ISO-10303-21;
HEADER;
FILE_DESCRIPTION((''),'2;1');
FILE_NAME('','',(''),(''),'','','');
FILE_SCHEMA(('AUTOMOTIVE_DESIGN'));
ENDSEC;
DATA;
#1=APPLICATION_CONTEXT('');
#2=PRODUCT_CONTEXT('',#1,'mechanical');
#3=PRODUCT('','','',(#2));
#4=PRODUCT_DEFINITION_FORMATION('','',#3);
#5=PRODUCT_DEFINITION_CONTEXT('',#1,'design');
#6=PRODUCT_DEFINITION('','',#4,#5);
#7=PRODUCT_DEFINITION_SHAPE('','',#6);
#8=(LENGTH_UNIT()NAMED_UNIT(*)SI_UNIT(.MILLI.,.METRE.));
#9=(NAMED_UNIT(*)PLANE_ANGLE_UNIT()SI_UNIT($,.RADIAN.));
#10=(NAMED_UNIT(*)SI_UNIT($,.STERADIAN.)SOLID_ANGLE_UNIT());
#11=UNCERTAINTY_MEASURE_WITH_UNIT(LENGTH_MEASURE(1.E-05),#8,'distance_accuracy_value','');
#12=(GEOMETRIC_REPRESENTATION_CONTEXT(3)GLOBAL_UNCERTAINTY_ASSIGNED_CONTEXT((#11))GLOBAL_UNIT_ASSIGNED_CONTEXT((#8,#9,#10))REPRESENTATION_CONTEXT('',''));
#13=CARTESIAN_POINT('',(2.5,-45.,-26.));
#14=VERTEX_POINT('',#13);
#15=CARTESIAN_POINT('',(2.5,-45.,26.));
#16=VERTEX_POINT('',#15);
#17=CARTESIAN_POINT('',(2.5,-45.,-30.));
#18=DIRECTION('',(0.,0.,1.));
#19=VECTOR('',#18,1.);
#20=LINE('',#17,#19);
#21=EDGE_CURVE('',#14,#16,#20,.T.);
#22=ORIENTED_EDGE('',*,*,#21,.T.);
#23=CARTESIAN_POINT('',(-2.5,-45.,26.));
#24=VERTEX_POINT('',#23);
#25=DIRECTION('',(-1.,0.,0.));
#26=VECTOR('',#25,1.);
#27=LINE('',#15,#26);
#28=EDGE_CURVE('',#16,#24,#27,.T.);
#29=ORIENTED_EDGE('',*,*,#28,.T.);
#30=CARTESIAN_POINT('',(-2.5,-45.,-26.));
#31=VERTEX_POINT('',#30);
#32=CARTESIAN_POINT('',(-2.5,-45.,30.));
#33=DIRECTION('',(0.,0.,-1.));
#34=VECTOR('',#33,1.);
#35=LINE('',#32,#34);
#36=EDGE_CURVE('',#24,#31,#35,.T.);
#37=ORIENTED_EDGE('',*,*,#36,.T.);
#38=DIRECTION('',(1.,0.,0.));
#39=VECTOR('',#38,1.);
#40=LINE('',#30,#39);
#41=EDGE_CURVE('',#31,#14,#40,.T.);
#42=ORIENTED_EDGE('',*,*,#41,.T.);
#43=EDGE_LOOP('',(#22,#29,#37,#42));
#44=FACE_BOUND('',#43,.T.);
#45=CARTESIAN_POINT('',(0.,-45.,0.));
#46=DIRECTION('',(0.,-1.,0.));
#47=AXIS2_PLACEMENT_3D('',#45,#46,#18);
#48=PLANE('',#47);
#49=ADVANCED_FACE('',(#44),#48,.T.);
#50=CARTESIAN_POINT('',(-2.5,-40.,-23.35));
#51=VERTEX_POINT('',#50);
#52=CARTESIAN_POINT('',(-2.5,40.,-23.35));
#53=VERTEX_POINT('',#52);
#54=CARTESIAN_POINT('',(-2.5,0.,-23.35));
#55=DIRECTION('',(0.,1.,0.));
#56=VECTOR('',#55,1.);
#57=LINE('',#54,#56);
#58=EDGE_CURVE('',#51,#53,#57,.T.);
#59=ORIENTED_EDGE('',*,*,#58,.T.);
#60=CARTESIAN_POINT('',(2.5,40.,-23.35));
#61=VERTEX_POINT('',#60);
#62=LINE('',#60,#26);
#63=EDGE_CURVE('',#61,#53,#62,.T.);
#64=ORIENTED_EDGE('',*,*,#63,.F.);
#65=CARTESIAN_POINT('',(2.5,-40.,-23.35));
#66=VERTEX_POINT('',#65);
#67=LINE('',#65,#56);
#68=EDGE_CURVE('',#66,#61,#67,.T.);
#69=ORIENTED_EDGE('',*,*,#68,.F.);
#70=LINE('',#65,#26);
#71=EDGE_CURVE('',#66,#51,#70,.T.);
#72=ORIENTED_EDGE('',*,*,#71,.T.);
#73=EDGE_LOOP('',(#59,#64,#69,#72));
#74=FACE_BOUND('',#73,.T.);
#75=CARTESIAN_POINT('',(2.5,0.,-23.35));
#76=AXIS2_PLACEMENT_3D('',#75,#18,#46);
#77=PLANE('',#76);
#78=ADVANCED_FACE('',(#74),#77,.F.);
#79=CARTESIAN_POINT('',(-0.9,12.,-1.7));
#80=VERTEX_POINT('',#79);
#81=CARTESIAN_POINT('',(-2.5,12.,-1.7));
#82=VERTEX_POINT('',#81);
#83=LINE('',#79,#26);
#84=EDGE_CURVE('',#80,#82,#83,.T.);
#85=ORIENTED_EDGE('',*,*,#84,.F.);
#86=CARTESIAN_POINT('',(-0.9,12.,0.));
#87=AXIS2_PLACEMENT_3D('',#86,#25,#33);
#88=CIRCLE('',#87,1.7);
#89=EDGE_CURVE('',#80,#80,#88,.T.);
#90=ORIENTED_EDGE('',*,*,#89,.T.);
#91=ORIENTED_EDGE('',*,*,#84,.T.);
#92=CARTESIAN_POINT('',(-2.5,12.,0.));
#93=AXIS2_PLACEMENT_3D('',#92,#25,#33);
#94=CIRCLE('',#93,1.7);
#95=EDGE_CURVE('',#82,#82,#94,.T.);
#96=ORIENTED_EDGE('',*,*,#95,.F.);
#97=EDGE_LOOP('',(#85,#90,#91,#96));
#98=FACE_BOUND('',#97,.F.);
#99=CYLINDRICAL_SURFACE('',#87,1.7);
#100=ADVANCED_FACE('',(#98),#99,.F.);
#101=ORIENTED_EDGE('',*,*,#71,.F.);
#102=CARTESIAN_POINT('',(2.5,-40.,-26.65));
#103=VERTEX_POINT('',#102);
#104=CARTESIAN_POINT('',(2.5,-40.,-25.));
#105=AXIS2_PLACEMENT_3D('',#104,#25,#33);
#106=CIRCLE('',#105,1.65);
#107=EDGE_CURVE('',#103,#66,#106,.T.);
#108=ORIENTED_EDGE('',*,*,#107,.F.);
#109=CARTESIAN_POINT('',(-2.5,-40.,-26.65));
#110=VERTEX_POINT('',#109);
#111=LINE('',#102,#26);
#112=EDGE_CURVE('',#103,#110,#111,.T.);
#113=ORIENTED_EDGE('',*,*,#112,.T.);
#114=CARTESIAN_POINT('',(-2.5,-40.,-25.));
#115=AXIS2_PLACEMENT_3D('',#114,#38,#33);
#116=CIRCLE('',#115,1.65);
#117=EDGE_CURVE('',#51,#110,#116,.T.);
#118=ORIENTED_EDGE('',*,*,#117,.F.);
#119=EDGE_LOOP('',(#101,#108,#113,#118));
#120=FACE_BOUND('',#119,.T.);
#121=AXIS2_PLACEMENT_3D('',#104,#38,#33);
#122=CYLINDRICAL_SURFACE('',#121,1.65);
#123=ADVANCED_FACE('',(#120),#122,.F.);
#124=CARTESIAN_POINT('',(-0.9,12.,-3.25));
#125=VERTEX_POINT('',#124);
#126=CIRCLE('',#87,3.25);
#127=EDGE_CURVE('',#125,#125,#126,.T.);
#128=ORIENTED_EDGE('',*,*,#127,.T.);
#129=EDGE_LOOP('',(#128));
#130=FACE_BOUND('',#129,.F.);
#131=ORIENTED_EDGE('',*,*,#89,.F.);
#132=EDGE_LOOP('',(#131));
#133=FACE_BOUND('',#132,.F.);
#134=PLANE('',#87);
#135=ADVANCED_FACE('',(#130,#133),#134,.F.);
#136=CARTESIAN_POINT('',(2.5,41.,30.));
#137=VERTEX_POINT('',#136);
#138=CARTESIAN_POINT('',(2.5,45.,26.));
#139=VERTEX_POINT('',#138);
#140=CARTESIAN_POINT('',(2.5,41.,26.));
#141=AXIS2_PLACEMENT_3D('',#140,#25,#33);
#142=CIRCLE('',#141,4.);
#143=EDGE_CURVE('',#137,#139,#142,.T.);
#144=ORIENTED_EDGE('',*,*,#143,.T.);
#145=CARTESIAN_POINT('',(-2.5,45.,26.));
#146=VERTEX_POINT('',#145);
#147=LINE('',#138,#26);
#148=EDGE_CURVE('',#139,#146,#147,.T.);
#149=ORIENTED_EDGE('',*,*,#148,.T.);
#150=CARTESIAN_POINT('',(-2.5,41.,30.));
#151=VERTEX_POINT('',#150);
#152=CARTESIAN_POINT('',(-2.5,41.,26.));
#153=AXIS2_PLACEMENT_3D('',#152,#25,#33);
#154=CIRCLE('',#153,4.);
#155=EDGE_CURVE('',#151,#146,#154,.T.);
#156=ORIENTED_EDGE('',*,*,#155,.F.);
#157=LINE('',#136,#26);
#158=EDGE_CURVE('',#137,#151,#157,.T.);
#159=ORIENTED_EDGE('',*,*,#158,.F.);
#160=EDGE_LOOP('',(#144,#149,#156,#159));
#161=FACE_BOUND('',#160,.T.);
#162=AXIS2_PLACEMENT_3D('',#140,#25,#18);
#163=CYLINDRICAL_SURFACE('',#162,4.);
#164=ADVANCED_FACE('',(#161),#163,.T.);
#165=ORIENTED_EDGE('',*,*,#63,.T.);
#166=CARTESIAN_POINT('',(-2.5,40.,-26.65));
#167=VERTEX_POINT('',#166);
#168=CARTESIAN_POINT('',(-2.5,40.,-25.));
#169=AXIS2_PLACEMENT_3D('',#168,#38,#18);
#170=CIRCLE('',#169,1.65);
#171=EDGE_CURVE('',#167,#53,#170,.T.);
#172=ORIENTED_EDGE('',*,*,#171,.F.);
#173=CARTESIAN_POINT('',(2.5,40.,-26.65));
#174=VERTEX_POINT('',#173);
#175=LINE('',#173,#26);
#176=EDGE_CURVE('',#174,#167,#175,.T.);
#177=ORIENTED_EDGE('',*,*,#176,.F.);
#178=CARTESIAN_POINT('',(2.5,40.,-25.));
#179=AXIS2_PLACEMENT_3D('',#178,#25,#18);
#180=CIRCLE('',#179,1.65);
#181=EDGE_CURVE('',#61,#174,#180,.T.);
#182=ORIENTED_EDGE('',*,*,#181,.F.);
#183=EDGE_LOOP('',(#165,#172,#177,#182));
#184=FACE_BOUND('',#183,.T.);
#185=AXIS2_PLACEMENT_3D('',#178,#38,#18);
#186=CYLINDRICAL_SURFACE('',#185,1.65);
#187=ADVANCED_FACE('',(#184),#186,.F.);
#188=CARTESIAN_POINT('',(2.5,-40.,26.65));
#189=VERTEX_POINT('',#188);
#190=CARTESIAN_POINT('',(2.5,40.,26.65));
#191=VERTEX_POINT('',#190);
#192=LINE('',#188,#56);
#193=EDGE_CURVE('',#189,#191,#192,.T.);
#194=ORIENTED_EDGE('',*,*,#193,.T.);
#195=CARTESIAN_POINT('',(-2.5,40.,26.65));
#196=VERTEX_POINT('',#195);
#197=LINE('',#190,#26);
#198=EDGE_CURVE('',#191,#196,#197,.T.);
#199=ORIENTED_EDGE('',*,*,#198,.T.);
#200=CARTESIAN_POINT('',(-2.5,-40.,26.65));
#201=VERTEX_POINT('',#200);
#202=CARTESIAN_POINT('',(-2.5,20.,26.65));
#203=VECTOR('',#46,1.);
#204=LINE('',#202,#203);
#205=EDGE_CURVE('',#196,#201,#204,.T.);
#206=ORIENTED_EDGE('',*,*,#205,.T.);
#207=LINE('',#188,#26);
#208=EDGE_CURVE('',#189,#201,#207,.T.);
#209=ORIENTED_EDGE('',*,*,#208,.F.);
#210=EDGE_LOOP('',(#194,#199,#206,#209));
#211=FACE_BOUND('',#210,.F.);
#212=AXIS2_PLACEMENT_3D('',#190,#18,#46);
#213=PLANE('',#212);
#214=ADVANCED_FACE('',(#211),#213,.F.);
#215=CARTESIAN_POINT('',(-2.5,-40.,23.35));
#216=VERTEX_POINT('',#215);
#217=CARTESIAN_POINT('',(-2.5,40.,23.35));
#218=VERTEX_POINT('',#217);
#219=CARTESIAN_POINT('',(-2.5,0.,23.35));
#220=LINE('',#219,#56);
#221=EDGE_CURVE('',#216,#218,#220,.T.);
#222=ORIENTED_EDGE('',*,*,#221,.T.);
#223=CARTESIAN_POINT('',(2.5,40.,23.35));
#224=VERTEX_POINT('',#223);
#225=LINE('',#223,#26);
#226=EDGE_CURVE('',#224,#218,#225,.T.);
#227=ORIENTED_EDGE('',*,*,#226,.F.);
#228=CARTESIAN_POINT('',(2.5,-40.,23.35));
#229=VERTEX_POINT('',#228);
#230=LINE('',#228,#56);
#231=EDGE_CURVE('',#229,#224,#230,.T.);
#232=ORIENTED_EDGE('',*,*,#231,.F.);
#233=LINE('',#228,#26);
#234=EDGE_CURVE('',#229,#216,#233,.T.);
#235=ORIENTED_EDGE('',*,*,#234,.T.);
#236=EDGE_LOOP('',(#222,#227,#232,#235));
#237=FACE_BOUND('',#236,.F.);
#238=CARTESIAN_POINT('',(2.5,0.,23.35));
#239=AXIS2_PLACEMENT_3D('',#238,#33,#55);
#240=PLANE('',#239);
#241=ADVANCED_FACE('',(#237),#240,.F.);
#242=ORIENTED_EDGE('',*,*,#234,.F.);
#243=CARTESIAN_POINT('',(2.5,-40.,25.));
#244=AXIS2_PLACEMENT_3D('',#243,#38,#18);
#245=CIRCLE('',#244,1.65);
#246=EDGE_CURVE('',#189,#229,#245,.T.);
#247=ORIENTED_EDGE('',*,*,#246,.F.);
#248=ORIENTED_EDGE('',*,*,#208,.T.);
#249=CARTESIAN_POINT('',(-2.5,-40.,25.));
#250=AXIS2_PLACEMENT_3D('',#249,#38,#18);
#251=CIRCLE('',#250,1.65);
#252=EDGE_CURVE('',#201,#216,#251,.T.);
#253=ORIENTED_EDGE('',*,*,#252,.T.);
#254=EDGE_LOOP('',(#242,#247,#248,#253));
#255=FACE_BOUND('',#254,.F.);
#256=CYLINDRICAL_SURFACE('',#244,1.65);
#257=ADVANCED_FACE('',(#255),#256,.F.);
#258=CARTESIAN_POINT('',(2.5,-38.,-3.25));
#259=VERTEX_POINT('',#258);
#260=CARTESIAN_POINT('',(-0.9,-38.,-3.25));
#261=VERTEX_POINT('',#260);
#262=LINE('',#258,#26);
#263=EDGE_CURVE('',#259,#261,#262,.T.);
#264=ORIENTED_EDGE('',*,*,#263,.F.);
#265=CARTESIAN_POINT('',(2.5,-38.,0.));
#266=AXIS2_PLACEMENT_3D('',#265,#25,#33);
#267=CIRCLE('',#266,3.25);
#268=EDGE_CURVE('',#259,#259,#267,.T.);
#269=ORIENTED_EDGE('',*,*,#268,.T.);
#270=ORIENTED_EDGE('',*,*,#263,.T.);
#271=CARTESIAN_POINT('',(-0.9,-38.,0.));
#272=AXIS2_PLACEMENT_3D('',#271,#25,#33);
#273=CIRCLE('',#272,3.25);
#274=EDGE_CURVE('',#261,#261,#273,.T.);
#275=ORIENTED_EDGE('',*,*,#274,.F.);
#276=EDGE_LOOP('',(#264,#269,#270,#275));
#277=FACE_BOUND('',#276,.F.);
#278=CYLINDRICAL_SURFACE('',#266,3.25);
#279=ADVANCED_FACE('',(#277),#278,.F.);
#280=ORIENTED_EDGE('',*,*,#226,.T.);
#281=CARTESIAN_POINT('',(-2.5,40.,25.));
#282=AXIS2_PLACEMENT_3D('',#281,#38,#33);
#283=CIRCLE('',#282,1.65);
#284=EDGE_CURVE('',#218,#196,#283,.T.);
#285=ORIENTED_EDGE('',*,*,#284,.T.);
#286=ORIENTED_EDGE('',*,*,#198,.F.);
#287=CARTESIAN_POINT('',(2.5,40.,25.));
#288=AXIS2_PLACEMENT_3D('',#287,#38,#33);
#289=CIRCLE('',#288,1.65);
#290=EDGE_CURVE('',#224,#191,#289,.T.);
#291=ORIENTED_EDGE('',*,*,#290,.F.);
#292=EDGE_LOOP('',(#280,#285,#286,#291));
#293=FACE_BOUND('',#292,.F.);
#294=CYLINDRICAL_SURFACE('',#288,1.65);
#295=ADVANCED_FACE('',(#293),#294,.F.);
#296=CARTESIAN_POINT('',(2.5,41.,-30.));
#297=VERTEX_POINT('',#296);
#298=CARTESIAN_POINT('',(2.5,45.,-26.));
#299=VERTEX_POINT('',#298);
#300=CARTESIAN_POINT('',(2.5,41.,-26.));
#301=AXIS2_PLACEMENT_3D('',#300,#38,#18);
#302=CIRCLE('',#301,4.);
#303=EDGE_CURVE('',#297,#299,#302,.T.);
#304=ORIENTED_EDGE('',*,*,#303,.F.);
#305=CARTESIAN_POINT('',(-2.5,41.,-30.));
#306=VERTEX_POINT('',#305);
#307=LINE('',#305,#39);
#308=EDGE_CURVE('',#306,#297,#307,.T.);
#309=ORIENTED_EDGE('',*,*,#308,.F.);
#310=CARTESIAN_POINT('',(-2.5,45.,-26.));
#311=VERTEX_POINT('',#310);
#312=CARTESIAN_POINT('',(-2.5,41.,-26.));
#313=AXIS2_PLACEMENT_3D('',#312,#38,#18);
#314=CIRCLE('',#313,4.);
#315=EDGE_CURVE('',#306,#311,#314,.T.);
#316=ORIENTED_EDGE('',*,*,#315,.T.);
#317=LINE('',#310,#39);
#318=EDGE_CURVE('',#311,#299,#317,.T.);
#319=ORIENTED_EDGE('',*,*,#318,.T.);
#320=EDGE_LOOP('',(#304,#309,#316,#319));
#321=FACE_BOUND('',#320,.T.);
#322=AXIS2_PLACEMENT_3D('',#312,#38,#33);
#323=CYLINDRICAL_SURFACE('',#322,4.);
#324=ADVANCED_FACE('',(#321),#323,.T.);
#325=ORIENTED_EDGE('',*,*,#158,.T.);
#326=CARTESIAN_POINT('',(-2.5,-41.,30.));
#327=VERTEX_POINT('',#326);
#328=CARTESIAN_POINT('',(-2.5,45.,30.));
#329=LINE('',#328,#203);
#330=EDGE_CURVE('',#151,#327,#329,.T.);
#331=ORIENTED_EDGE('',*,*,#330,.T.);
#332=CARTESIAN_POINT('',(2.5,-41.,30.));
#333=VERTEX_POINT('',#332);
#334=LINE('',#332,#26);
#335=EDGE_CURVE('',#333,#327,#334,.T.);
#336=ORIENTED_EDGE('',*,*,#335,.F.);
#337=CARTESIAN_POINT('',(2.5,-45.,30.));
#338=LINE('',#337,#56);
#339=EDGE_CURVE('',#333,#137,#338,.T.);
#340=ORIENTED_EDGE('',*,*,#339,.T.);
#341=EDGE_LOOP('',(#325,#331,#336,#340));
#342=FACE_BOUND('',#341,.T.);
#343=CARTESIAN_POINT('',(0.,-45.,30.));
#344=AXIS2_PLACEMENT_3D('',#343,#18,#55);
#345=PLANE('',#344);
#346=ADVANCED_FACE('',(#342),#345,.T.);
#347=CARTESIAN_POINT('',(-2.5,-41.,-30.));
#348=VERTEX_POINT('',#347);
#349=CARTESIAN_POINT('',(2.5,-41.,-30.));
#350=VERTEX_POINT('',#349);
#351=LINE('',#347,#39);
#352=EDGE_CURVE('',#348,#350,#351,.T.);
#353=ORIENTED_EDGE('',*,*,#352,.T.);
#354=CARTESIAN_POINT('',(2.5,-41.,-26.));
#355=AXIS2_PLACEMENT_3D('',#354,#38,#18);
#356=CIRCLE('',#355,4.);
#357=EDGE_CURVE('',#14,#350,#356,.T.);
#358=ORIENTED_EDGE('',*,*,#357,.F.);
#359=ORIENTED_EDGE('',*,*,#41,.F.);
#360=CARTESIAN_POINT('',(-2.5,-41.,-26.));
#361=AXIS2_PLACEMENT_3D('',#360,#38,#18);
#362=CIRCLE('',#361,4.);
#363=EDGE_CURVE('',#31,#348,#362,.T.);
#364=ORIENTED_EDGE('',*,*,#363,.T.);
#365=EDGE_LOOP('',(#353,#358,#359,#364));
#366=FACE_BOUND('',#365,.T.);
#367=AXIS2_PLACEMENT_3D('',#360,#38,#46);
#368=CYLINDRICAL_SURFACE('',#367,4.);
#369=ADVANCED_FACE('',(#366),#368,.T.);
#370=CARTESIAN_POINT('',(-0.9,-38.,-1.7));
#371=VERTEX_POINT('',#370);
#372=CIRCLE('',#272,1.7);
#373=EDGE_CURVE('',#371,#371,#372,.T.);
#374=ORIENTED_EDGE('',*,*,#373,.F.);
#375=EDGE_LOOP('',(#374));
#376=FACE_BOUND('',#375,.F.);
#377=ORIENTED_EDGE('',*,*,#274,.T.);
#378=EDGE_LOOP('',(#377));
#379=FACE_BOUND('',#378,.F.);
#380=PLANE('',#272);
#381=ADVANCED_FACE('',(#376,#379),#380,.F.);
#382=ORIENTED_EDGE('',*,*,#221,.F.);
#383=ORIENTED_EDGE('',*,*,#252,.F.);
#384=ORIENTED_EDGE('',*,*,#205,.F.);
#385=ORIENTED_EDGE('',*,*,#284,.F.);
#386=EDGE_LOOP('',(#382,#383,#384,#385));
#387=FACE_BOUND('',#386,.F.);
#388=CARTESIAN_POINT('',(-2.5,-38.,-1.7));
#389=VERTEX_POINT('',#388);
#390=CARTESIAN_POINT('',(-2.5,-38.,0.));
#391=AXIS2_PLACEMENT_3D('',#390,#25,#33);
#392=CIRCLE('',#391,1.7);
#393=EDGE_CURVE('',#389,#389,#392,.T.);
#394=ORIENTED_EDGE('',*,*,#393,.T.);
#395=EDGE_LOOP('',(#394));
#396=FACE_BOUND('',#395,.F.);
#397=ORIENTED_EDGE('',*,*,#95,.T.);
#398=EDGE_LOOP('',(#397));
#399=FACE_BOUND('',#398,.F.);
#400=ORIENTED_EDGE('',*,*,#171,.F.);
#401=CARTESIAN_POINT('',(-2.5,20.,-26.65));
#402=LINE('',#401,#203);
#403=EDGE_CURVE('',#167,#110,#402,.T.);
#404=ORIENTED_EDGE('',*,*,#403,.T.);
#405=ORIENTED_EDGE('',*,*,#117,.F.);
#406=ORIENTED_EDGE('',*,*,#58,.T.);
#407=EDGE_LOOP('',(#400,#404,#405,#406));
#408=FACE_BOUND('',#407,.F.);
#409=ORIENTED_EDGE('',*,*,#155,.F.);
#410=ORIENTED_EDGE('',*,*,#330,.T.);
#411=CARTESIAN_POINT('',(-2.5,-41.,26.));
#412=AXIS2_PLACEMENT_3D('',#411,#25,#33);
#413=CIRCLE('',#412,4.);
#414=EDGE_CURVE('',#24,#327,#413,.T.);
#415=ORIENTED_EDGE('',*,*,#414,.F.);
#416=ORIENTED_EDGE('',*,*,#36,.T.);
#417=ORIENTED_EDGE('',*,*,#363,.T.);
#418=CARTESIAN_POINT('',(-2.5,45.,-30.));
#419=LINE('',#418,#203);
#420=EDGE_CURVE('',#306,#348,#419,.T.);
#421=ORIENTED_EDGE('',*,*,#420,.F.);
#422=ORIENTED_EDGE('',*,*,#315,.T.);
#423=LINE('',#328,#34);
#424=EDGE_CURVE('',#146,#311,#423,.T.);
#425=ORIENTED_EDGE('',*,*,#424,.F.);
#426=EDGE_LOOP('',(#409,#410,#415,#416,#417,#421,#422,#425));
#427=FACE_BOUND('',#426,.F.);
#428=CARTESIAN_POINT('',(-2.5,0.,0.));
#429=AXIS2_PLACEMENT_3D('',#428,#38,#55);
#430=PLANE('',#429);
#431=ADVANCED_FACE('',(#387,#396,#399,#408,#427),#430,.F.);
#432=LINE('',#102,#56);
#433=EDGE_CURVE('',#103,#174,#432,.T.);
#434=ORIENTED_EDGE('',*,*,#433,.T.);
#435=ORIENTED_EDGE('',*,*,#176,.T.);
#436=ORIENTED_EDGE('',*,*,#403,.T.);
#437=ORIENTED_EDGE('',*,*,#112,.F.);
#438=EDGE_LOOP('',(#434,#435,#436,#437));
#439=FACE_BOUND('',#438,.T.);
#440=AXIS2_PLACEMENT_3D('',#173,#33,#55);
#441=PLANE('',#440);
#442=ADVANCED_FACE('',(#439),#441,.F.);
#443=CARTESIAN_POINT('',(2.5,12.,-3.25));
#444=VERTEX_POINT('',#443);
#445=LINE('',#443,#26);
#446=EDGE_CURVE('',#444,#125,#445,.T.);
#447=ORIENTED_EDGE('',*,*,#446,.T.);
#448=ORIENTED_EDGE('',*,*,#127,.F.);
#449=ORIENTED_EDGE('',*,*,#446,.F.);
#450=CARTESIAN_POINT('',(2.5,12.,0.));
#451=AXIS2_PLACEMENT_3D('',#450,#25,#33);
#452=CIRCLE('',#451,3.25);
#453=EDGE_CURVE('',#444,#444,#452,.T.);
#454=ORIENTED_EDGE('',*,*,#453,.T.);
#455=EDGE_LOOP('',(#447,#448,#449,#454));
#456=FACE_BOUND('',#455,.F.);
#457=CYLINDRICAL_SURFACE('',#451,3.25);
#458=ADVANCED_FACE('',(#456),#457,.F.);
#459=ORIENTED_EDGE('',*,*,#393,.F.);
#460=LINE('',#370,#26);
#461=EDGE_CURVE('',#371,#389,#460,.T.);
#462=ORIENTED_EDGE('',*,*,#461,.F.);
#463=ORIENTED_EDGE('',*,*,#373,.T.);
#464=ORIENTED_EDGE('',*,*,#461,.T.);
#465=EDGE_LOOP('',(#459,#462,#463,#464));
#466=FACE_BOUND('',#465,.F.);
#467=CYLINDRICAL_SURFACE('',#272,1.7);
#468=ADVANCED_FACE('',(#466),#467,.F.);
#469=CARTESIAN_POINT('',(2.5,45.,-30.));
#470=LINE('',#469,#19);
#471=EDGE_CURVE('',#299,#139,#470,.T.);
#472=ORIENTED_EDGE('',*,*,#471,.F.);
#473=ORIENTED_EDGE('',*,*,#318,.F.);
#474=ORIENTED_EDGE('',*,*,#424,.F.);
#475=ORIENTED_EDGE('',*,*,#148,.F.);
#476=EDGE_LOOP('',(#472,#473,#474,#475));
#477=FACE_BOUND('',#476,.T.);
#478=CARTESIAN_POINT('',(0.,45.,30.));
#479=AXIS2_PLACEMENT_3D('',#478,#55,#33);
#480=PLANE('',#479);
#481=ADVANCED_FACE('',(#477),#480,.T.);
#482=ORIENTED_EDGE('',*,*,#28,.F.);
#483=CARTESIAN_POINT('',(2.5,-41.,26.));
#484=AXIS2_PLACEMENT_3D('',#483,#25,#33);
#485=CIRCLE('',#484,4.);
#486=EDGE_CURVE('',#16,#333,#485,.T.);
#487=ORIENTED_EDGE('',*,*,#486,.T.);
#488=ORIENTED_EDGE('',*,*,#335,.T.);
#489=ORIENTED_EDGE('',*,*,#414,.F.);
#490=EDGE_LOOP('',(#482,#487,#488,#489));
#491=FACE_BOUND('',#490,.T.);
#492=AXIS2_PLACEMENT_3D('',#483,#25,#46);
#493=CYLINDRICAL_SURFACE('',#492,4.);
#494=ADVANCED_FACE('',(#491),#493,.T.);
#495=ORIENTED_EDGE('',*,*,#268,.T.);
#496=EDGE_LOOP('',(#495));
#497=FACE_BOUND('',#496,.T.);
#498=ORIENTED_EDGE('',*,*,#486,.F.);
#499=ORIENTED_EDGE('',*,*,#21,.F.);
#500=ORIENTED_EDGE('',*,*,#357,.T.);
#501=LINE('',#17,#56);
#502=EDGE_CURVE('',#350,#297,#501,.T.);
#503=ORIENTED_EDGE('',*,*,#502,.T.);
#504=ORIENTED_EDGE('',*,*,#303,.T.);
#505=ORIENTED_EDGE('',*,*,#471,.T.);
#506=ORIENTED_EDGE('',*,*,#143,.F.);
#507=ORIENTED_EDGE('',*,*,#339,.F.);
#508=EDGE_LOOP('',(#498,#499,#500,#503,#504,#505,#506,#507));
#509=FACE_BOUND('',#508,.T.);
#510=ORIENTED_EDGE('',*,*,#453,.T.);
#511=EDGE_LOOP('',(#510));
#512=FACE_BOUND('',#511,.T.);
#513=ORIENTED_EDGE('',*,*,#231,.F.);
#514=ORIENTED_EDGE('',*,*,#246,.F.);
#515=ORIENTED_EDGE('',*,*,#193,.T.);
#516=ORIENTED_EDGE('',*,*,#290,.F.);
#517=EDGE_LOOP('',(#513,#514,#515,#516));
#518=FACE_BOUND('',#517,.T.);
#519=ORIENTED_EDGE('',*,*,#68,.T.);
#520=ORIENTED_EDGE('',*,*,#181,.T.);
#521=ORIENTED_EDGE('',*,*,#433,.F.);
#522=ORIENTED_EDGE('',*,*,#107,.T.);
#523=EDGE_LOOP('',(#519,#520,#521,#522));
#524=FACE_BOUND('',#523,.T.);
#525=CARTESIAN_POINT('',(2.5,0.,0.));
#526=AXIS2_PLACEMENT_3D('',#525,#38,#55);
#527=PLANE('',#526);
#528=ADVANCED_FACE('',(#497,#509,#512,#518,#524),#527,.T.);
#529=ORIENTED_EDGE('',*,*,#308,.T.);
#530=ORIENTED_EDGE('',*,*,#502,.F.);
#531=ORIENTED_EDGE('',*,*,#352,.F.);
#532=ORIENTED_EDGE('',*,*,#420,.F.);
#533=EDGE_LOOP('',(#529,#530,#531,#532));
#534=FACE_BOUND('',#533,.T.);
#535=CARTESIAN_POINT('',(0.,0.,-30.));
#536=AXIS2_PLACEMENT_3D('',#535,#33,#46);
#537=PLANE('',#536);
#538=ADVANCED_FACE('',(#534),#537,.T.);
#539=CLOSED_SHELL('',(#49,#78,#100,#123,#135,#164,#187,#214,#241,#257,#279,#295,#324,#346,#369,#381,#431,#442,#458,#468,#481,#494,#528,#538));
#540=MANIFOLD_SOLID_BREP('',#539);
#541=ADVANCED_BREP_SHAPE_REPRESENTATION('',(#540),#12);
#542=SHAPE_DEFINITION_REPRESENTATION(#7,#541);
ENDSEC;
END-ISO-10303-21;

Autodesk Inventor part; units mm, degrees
ref_plane "YZ Plane" through (0, 0, 0) normal (1, 0, 0) x (0, 1, 0)
ref_plane "XZ Plane" through (0, 0, 0) normal (0, 1, 0) x (-1, 0, 0)
ref_plane "XY Plane" through (0, 0, 0) normal (0, 0, 1) x (1, 0, 0)
sketch "Skizze1" plane through (0, 0, 0) normal (1, 0, 0) x (0, 1, 0)
  line L0 (-63, 0) -> (63, 0)
  line L1 (0, 42) -> (0, -42)
  line L2 (-45, 30) -> (45, 30)
  line L3 (45, 30) -> (45, -30)
  line L4 (45, -30) -> (-45, -30)
  line L5 (-45, -30) -> (-45, 30)
  line L6 (-45, 30) -> (45, -30) construction
  line L7 (45, 30) -> (-45, -30) construction
  point P0 (0, 0)
  dimension "d21" = 90
  dimension "d22" = 60
extrude "Extrusion1" add sketch "Skizze1" along normal mid plane 5
sketch "Skizze2" plane through (2.5, 0, 0) normal (1, 0, 0) x (0, 0, -1)
  line L0 (-42, 0) -> (42, 0)
  line L1 (0, -63) -> (0, 63)
  line L2 (-30, -45) -> (30, -45)
  point P0 (0, 0)
  point P1 (0, 12)
  point P2 (0, -38)
  dimension "d23" = 50
  dimension "d24" = 7
hole "Bohrung1" at (2.5, -38, 0) at (2.5, 12, 0) direction (-1, 0, 0) diameter 3.4 end through all counterbore diameter 6.5 counterbore depth 3.4
sketch "Skizze3" plane through (2.5, 0, 0) normal (1, 0, 0) x (0, 0, -1)
  line L0 (0, -63) -> (0, 63)
  line L1 (-42, 0) -> (42, 0)
  line L2 (-25, -40) -> (-25, 40) construction
  line L3 (-23.35, -40) -> (-23.35, 40)
  line L4 (-26.65, 40) -> (-26.65, -40)
  arc A0 (-26.65, -40) -> (-23.35, -40) centre (-25, -40) ccw
  arc A1 (-23.35, 40) -> (-26.65, 40) centre (-25, 40) ccw
  point P0 (0, 0)
  point P1 (-25, 0)
  point P2 (-26.65, 0)
  point P3 (-23.35, 0)
  dimension "d14" = 3.3
  dimension "d15" = 80
  dimension "d16" = 25
extrude "Extrusion2" cut sketch "Skizze3" against normal through all
mirror "Spiegeln1" about plane through (0, 0, 0) normal (0, 0, 1) of "Extrusion2"
fillet "Rundung1" radius 4 4 edges at (0, 45, 30) (0, 45, -30) (0, -45, 30) (0, -45, -30)
properties part number "24_Laserholder" material "PET-Kunststoff"
